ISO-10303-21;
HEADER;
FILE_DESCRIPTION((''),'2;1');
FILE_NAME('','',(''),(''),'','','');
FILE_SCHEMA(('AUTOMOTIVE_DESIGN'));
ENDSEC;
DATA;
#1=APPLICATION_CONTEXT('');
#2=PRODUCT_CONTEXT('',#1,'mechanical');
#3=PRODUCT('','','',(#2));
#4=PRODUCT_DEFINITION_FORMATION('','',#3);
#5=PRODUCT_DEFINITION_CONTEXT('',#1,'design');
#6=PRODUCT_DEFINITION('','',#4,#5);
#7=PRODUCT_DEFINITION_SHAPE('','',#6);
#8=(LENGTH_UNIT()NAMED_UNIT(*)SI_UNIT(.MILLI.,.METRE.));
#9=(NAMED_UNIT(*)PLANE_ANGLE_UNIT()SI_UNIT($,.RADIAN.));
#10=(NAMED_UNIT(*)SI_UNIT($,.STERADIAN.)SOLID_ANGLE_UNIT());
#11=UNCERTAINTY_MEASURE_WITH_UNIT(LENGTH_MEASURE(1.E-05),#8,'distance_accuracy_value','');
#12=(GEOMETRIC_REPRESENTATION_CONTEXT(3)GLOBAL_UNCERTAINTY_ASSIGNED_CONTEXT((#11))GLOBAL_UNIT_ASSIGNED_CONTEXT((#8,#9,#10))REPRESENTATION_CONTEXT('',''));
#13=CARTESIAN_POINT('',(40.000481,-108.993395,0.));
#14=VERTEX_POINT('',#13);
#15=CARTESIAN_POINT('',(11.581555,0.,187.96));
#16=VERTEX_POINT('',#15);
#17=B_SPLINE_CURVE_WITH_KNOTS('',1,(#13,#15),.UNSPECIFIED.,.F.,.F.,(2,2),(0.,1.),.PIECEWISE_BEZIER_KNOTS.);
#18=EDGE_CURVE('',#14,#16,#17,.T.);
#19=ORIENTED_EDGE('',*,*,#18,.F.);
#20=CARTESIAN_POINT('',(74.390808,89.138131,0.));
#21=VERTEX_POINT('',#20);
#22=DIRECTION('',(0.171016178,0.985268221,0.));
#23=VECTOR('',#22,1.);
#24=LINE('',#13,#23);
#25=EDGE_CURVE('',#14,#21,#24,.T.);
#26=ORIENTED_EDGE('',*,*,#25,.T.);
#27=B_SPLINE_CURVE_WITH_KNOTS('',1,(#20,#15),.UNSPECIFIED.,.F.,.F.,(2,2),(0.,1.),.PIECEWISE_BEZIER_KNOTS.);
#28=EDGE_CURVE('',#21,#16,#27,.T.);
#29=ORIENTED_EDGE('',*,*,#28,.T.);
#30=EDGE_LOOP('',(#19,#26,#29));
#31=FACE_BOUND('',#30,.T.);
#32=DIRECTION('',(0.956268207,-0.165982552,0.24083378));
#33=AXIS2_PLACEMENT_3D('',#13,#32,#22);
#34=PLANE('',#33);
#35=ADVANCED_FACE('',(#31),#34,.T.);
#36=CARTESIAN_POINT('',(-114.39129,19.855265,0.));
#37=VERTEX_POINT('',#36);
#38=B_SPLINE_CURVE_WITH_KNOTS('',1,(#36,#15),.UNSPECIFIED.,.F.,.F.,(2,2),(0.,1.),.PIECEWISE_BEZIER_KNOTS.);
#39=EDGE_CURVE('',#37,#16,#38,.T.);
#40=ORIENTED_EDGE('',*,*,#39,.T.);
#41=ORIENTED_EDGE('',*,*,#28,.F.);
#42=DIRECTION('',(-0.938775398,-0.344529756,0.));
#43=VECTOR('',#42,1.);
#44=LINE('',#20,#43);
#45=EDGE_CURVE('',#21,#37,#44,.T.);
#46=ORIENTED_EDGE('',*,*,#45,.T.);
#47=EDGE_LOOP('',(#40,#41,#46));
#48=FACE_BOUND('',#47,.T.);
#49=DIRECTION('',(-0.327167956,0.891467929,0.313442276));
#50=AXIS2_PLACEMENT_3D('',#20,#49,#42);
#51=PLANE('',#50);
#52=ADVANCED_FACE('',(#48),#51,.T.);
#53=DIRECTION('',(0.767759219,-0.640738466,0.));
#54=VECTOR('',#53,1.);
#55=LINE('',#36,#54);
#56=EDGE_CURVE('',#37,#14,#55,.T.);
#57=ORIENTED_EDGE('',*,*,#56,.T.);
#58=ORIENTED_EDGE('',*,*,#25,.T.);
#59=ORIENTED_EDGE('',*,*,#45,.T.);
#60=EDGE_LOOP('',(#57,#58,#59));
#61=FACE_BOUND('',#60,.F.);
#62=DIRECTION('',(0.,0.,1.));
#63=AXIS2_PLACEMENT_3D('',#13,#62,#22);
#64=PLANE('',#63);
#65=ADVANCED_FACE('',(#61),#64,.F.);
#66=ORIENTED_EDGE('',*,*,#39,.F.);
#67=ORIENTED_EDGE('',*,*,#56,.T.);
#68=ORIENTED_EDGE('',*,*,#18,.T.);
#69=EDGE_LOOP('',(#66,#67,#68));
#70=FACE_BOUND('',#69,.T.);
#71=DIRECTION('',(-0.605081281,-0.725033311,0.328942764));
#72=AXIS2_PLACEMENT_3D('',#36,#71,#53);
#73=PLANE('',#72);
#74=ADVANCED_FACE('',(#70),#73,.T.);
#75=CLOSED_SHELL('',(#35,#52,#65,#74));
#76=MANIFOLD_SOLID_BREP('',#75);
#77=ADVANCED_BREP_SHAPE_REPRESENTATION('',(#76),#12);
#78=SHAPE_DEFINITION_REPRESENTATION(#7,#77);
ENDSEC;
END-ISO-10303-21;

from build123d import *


with BuildPart() as f3:
    # F0 (on Top) → F3 section 0
    with BuildSketch(Plane.XY, mode=Mode.PRIVATE) as f3_s0:
        Polygon((40.000481, -108.993395), (74.390808, 89.138131), (-114.39129, 19.855265), align=None)
    loft([f3_s0.sketch, Vertex(11.581555, 0, 187.96)])


solid = f3.part
